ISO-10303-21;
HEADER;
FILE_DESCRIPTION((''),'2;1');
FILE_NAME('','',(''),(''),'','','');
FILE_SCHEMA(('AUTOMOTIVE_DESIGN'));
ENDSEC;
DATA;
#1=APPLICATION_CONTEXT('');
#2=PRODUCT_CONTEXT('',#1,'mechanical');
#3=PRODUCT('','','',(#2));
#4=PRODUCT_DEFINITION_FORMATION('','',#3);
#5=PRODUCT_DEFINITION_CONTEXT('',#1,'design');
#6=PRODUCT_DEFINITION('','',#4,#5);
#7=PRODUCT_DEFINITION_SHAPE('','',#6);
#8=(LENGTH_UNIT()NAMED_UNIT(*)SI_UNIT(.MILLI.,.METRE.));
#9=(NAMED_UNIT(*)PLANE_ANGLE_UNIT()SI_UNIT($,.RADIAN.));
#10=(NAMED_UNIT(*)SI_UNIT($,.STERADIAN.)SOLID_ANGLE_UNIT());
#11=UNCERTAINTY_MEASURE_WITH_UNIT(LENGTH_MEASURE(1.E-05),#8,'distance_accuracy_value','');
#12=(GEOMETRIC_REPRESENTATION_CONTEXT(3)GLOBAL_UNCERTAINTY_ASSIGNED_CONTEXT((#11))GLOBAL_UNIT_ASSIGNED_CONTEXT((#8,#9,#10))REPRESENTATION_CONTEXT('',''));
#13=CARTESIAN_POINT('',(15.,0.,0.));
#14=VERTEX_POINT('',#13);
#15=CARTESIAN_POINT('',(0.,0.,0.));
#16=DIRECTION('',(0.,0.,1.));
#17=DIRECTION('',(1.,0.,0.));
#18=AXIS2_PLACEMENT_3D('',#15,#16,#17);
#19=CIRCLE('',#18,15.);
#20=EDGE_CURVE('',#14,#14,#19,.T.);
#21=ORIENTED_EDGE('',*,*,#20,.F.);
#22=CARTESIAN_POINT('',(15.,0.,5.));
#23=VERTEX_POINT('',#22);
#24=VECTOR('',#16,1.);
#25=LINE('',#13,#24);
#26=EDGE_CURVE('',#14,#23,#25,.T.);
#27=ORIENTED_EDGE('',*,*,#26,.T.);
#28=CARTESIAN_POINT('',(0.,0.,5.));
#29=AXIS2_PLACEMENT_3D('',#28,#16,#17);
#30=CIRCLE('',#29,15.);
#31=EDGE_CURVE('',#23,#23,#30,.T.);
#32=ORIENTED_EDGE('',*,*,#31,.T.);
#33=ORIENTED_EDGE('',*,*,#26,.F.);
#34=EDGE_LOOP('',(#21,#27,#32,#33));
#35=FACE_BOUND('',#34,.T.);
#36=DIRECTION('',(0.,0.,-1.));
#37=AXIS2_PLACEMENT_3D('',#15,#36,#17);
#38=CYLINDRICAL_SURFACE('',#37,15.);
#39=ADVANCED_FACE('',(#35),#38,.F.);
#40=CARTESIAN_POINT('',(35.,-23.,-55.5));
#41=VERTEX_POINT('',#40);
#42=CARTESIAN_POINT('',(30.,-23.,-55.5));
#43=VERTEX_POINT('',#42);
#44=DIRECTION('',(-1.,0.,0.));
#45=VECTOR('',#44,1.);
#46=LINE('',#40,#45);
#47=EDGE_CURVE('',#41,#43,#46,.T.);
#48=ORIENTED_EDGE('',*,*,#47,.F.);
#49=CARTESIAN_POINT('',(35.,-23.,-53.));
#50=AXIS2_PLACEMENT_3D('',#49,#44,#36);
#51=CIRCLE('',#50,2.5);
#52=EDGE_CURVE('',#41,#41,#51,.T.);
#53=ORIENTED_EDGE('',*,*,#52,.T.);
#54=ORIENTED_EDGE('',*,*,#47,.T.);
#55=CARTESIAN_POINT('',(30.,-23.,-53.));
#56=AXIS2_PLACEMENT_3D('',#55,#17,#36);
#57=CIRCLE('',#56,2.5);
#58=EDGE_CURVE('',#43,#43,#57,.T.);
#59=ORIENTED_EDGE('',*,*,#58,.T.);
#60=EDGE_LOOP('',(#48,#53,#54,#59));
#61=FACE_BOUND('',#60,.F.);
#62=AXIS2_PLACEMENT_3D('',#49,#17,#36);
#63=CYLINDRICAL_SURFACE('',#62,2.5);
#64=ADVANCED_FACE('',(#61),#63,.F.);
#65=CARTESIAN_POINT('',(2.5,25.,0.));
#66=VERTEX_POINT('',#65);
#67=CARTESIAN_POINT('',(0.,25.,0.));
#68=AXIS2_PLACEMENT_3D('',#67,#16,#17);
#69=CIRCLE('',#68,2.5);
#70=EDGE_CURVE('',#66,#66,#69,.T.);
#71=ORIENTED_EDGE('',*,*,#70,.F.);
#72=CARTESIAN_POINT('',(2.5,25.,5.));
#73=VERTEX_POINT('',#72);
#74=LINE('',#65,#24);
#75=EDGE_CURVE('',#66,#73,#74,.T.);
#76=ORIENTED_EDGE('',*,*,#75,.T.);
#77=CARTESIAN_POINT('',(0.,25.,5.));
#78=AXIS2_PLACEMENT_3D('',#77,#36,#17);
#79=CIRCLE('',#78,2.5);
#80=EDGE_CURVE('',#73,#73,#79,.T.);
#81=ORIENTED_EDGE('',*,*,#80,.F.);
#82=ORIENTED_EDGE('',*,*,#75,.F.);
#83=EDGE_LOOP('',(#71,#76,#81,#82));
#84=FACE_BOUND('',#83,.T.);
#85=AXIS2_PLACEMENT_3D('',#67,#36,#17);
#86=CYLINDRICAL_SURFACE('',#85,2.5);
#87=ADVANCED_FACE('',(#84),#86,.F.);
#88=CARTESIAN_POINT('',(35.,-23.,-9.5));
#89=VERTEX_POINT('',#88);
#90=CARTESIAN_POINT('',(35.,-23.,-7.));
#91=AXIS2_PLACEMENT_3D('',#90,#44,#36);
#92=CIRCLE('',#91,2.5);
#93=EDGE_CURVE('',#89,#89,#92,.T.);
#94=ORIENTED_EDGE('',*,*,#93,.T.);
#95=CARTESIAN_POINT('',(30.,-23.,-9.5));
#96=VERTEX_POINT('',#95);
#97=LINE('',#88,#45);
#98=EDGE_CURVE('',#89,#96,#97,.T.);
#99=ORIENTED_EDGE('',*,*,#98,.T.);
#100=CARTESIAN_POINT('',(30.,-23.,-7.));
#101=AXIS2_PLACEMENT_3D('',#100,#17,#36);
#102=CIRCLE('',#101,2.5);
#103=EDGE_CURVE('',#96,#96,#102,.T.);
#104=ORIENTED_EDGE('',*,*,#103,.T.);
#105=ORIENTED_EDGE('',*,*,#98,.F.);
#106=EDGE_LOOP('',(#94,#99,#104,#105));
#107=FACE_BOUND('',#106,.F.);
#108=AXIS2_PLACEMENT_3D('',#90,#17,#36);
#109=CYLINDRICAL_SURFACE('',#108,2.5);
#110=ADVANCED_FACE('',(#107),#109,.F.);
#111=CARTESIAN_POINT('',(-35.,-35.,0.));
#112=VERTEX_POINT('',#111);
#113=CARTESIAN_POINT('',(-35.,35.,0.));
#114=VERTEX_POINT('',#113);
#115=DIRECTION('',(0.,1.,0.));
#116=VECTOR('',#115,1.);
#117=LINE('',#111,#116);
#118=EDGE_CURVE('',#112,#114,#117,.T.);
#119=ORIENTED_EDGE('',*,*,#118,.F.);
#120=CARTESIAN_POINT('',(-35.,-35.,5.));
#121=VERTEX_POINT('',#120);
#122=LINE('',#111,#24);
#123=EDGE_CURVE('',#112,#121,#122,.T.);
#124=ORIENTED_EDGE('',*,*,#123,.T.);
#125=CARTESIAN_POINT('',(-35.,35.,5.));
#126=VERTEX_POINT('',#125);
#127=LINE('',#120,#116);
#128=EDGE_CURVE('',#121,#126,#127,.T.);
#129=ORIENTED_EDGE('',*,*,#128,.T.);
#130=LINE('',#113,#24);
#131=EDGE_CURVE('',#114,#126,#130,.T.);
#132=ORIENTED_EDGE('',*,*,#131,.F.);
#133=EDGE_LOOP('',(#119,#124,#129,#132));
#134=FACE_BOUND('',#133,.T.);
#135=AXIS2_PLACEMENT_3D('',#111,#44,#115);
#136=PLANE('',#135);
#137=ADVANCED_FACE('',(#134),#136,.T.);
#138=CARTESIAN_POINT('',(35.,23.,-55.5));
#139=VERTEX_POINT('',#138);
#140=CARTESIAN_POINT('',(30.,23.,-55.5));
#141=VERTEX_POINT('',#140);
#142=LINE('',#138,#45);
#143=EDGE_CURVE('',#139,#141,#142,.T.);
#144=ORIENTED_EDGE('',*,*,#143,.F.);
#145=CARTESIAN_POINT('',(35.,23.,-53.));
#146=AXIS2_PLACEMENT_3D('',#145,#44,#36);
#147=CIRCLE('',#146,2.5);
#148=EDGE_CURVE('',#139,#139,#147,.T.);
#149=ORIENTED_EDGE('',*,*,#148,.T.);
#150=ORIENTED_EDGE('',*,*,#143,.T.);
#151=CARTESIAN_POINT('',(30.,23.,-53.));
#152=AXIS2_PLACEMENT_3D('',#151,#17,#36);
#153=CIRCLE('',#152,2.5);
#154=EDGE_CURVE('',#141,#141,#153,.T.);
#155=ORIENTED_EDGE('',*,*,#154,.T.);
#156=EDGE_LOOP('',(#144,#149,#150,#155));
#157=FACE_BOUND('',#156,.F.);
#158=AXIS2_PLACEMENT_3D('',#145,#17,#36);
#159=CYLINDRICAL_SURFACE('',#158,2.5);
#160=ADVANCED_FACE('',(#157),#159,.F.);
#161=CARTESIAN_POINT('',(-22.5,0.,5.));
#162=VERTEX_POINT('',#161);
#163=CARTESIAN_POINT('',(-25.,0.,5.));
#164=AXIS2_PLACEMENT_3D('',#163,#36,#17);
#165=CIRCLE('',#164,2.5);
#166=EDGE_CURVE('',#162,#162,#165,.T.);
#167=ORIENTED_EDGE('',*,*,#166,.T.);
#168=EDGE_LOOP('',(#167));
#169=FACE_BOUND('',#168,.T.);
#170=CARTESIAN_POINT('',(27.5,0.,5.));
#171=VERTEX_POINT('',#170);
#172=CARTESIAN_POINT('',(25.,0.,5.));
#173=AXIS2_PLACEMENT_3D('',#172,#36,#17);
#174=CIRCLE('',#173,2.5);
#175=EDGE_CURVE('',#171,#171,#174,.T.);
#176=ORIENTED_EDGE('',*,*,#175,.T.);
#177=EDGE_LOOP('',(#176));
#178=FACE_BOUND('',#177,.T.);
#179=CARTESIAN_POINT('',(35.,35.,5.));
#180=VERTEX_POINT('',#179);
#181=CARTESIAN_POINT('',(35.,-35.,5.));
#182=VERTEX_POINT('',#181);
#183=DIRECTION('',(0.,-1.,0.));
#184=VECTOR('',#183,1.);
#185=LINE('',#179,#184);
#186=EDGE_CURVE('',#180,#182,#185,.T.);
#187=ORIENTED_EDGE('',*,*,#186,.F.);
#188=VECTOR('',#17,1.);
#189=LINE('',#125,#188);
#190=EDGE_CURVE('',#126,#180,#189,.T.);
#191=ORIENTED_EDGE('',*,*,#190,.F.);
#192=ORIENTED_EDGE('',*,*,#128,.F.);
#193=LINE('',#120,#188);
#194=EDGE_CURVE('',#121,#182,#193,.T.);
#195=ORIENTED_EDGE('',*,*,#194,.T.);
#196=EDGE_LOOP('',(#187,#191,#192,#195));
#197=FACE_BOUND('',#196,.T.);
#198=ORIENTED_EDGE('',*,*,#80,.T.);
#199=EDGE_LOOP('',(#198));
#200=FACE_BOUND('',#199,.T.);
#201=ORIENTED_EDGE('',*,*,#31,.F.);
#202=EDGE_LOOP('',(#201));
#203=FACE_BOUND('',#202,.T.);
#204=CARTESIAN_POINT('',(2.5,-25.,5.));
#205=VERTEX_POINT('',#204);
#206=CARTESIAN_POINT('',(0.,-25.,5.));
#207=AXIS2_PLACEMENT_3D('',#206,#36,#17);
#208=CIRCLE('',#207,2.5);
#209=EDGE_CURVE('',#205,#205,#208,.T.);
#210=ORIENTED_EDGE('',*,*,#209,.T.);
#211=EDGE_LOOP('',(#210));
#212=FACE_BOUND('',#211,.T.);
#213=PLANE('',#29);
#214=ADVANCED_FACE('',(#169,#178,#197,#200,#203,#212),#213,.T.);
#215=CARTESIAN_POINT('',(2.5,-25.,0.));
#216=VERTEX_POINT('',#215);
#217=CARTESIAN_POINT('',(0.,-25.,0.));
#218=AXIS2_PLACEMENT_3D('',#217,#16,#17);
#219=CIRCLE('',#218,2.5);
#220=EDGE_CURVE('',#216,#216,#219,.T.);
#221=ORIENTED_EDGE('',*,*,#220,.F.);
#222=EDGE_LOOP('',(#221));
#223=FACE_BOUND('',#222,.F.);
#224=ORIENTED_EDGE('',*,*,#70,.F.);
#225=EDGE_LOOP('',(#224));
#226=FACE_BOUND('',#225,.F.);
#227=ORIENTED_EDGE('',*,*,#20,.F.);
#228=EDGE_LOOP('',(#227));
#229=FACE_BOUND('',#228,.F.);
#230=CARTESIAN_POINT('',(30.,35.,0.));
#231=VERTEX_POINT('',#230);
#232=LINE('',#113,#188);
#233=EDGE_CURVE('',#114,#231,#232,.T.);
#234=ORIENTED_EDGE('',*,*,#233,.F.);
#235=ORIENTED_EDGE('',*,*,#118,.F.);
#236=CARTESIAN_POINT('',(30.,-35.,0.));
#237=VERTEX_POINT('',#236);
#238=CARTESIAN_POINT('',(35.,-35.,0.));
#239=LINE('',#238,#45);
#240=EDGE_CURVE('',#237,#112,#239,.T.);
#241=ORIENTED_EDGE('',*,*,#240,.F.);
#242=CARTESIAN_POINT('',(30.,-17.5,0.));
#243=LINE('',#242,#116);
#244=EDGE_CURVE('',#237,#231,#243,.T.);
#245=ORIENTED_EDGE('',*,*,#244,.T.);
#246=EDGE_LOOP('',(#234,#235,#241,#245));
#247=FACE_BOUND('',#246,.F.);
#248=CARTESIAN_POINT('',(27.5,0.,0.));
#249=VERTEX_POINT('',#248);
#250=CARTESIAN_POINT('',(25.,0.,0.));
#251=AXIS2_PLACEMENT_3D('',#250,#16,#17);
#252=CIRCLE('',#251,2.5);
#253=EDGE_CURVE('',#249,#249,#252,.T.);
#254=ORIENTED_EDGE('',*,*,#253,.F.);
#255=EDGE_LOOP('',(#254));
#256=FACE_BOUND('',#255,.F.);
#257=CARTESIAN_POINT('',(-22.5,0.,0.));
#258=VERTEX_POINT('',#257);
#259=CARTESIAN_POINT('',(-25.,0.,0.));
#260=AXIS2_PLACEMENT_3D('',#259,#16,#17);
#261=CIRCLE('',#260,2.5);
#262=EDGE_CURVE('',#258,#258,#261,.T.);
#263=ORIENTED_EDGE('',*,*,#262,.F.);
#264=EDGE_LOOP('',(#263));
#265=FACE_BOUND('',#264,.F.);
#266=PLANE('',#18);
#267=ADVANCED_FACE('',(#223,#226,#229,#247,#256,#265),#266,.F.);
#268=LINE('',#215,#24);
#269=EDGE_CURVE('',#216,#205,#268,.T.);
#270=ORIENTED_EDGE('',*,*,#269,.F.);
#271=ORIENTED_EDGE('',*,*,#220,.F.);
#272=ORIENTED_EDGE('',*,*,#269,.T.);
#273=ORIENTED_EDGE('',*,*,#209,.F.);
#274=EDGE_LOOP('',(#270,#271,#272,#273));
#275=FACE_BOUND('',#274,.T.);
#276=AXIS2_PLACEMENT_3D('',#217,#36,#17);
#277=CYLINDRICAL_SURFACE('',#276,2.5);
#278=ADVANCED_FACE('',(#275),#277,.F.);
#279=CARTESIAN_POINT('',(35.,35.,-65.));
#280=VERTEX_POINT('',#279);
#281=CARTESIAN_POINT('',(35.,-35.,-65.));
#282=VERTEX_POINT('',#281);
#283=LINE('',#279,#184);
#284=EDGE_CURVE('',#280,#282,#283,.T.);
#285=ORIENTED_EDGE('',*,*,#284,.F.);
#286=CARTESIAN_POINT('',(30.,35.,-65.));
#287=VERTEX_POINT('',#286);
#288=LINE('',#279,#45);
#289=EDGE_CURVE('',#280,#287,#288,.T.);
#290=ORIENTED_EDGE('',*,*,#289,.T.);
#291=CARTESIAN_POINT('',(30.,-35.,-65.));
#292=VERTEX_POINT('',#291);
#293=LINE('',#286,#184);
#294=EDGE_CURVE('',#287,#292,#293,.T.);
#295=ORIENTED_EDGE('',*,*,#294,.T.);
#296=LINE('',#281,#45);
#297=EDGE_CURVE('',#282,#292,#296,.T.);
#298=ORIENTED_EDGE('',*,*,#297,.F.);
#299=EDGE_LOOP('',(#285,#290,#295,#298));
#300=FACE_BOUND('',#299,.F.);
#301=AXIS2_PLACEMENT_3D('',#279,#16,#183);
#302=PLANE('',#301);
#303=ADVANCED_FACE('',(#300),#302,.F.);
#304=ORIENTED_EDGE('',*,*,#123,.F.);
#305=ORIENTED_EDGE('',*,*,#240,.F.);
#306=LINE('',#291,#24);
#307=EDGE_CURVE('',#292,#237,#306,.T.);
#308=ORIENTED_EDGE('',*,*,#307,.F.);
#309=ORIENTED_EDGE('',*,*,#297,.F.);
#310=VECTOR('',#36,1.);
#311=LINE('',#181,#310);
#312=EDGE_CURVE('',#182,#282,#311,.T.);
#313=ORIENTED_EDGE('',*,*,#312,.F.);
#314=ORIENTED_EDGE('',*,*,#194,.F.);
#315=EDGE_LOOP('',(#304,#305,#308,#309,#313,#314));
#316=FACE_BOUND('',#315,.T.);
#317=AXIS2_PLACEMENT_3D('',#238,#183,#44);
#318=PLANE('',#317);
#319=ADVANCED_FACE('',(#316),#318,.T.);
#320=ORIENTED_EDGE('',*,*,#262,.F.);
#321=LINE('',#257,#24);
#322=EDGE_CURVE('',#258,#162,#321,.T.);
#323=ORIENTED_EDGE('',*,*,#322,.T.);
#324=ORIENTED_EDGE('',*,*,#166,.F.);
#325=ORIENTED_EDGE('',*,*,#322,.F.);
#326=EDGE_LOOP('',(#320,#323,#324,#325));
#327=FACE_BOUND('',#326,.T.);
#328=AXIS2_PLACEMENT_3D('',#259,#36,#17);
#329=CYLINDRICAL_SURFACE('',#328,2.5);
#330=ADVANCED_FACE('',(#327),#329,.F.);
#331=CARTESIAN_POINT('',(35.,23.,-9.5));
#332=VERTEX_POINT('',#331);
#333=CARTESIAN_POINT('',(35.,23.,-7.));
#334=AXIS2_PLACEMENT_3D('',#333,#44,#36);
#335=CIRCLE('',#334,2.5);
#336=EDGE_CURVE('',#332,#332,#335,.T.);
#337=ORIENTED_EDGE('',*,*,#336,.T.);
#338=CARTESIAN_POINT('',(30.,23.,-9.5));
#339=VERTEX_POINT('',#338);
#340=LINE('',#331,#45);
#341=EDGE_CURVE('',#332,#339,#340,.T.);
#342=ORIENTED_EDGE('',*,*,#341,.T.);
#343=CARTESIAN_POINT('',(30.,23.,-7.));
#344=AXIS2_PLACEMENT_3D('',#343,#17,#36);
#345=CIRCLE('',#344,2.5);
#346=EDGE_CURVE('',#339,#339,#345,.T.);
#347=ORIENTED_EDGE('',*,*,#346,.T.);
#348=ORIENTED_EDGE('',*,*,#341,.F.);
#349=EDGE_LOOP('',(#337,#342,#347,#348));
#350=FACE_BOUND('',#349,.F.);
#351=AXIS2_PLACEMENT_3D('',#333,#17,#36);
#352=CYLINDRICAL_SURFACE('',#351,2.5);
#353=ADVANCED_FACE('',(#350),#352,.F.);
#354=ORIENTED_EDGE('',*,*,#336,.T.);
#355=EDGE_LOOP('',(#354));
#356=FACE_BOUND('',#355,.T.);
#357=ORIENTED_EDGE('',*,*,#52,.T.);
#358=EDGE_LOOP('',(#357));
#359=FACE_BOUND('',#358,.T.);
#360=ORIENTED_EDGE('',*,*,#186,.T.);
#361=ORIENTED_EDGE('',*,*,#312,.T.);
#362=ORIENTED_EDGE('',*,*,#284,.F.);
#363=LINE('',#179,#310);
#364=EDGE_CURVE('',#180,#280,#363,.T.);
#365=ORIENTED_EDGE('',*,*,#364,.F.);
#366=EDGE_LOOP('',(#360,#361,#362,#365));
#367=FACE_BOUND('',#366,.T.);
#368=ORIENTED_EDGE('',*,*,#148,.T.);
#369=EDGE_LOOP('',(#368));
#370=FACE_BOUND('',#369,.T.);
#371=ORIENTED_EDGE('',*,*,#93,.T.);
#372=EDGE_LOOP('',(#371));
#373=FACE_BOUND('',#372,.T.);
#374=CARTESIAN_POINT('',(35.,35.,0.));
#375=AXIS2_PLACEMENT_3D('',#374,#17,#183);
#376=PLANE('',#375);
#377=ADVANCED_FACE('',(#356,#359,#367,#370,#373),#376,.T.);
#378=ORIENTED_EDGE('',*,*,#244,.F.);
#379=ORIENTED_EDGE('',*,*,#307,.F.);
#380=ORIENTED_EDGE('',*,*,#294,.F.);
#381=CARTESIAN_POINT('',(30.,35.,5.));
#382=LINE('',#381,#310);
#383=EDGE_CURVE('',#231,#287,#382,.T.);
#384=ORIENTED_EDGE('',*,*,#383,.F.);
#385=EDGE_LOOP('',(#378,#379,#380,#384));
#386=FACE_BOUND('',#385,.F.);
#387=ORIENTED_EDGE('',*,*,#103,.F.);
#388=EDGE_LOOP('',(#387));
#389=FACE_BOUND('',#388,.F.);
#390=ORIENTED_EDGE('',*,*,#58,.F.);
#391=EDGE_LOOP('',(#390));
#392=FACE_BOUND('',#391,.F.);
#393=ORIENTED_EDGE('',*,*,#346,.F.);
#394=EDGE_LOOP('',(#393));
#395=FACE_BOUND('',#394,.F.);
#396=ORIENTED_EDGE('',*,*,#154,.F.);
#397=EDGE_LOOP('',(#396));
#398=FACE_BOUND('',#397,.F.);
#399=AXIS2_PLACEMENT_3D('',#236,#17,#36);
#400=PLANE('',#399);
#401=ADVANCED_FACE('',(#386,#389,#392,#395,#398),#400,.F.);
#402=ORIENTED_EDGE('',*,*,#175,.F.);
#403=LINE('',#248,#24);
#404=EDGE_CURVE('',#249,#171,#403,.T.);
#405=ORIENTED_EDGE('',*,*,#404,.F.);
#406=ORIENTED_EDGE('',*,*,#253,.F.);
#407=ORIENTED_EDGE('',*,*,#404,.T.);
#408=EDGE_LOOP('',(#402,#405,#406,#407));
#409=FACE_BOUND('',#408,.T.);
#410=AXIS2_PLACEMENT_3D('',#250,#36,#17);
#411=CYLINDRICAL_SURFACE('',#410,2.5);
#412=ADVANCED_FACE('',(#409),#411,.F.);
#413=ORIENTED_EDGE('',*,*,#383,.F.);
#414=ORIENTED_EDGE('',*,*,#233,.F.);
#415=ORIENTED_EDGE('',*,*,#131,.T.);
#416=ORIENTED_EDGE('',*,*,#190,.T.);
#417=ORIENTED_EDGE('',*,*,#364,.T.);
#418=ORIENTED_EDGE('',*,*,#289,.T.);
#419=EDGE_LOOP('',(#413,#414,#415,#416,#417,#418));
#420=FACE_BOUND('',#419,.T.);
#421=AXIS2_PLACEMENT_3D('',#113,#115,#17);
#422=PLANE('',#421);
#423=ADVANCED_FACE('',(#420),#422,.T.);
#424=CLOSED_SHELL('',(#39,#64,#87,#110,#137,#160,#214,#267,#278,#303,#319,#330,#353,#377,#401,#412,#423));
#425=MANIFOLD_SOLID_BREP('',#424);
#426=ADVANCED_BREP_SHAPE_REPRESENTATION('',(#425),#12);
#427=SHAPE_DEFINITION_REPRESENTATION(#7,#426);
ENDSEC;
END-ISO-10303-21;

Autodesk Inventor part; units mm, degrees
ref_plane "YZ Plane" through (0, 0, 0) normal (1, 0, 0) x (0, 1, 0)
ref_plane "XZ Plane" through (0, 0, 0) normal (0, 1, 0) x (-1, 0, 0)
ref_plane "XY Plane" through (0, 0, 0) normal (0, 0, 1) x (1, 0, 0)
sketch "Sketch1" plane through (0, 0, 0) normal (0, 0, 1) x (1, 0, 0)
  line L0 (-35, 35) -> (35, 35)
  line L1 (35, 35) -> (35, -35)
  line L2 (35, -35) -> (-35, -35)
  line L3 (-35, -35) -> (-35, 35)
  line L4 (-35, 35) -> (35, -35) construction
  line L5 (35, 35) -> (-35, -35) construction
  circle A0 centre (0, 0) radius 15
  circle A1 centre (0, 0) radius 25
  circle A2 centre (-25, 0) radius 2.5
  circle A3 centre (0, -25) radius 2.5
  circle A4 centre (25, 0) radius 2.5
  circle A5 centre (0, 25) radius 2.5
  dimension "d3" = 50
  dimension "d0" = 70
  dimension "d1" = 70
  dimension "d2" = 30
  dimension "d4" = 5
  dimension "d7" = 360
extrude "Extrusion1" add sketch "Sketch1" along normal blind 5 contours L0 L1 L2 L3 | A4 A1 A3 A2 A5
sketch "Sketch2" plane through (35, -35, 0) normal (1, 0, 0) x (0, 0, -1)
  line L0 (-5, 0) -> (-5, 70) projected
  line L1 (-5, 70) -> (65, 70)
  line L2 (65, 70) -> (65, 0)
  line L3 (65, 0) -> (-5, 0)
  line L4 (-5, 0) -> (-5, 70)
  point P0 (0, 35)
  dimension "d11" = 70
  dimension "d12" = 70
extrude "Extrusion2" add sketch "Sketch2" against normal blind 5
sketch "Sketch3" plane through (35, -35, 5) normal (1, 0, 0) x (0, 0, -1)
  line L0 (70, 70) -> (0, 70) projected
  line L1 (0, 0) -> (0, 70) projected
  line L2 (70, 0) -> (0, 0) projected
  line L3 (70, 0) -> (70, 70) projected
  line L4 (12, 58) -> (58, 58)
  line L5 (58, 58) -> (58, 12)
  line L6 (58, 12) -> (12, 12)
  line L7 (12, 12) -> (12, 58)
  circle A0 centre (12, 58) radius 2.5
  circle A1 centre (58, 58) radius 2.5
  circle A2 centre (12, 12) radius 2.5
  circle A3 centre (58, 12) radius 2.5
  point P0 (5, 35)
  dimension "d15" = 12
  dimension "d16" = 5
  dimension "d19" = 46
  dimension "d22" = 46
extrude "Extrusion3" cut sketch "Sketch3" against normal blind 5 contours L7 A0 L4 | L4 A0 L7 | A1 L5 L4 | L4 L5 A1 | A2 L6 L7 | L7 L6 A2 | A3 L6 L5 | L5 L6 A3
properties part number "SOPORTE DE MOTOR"
